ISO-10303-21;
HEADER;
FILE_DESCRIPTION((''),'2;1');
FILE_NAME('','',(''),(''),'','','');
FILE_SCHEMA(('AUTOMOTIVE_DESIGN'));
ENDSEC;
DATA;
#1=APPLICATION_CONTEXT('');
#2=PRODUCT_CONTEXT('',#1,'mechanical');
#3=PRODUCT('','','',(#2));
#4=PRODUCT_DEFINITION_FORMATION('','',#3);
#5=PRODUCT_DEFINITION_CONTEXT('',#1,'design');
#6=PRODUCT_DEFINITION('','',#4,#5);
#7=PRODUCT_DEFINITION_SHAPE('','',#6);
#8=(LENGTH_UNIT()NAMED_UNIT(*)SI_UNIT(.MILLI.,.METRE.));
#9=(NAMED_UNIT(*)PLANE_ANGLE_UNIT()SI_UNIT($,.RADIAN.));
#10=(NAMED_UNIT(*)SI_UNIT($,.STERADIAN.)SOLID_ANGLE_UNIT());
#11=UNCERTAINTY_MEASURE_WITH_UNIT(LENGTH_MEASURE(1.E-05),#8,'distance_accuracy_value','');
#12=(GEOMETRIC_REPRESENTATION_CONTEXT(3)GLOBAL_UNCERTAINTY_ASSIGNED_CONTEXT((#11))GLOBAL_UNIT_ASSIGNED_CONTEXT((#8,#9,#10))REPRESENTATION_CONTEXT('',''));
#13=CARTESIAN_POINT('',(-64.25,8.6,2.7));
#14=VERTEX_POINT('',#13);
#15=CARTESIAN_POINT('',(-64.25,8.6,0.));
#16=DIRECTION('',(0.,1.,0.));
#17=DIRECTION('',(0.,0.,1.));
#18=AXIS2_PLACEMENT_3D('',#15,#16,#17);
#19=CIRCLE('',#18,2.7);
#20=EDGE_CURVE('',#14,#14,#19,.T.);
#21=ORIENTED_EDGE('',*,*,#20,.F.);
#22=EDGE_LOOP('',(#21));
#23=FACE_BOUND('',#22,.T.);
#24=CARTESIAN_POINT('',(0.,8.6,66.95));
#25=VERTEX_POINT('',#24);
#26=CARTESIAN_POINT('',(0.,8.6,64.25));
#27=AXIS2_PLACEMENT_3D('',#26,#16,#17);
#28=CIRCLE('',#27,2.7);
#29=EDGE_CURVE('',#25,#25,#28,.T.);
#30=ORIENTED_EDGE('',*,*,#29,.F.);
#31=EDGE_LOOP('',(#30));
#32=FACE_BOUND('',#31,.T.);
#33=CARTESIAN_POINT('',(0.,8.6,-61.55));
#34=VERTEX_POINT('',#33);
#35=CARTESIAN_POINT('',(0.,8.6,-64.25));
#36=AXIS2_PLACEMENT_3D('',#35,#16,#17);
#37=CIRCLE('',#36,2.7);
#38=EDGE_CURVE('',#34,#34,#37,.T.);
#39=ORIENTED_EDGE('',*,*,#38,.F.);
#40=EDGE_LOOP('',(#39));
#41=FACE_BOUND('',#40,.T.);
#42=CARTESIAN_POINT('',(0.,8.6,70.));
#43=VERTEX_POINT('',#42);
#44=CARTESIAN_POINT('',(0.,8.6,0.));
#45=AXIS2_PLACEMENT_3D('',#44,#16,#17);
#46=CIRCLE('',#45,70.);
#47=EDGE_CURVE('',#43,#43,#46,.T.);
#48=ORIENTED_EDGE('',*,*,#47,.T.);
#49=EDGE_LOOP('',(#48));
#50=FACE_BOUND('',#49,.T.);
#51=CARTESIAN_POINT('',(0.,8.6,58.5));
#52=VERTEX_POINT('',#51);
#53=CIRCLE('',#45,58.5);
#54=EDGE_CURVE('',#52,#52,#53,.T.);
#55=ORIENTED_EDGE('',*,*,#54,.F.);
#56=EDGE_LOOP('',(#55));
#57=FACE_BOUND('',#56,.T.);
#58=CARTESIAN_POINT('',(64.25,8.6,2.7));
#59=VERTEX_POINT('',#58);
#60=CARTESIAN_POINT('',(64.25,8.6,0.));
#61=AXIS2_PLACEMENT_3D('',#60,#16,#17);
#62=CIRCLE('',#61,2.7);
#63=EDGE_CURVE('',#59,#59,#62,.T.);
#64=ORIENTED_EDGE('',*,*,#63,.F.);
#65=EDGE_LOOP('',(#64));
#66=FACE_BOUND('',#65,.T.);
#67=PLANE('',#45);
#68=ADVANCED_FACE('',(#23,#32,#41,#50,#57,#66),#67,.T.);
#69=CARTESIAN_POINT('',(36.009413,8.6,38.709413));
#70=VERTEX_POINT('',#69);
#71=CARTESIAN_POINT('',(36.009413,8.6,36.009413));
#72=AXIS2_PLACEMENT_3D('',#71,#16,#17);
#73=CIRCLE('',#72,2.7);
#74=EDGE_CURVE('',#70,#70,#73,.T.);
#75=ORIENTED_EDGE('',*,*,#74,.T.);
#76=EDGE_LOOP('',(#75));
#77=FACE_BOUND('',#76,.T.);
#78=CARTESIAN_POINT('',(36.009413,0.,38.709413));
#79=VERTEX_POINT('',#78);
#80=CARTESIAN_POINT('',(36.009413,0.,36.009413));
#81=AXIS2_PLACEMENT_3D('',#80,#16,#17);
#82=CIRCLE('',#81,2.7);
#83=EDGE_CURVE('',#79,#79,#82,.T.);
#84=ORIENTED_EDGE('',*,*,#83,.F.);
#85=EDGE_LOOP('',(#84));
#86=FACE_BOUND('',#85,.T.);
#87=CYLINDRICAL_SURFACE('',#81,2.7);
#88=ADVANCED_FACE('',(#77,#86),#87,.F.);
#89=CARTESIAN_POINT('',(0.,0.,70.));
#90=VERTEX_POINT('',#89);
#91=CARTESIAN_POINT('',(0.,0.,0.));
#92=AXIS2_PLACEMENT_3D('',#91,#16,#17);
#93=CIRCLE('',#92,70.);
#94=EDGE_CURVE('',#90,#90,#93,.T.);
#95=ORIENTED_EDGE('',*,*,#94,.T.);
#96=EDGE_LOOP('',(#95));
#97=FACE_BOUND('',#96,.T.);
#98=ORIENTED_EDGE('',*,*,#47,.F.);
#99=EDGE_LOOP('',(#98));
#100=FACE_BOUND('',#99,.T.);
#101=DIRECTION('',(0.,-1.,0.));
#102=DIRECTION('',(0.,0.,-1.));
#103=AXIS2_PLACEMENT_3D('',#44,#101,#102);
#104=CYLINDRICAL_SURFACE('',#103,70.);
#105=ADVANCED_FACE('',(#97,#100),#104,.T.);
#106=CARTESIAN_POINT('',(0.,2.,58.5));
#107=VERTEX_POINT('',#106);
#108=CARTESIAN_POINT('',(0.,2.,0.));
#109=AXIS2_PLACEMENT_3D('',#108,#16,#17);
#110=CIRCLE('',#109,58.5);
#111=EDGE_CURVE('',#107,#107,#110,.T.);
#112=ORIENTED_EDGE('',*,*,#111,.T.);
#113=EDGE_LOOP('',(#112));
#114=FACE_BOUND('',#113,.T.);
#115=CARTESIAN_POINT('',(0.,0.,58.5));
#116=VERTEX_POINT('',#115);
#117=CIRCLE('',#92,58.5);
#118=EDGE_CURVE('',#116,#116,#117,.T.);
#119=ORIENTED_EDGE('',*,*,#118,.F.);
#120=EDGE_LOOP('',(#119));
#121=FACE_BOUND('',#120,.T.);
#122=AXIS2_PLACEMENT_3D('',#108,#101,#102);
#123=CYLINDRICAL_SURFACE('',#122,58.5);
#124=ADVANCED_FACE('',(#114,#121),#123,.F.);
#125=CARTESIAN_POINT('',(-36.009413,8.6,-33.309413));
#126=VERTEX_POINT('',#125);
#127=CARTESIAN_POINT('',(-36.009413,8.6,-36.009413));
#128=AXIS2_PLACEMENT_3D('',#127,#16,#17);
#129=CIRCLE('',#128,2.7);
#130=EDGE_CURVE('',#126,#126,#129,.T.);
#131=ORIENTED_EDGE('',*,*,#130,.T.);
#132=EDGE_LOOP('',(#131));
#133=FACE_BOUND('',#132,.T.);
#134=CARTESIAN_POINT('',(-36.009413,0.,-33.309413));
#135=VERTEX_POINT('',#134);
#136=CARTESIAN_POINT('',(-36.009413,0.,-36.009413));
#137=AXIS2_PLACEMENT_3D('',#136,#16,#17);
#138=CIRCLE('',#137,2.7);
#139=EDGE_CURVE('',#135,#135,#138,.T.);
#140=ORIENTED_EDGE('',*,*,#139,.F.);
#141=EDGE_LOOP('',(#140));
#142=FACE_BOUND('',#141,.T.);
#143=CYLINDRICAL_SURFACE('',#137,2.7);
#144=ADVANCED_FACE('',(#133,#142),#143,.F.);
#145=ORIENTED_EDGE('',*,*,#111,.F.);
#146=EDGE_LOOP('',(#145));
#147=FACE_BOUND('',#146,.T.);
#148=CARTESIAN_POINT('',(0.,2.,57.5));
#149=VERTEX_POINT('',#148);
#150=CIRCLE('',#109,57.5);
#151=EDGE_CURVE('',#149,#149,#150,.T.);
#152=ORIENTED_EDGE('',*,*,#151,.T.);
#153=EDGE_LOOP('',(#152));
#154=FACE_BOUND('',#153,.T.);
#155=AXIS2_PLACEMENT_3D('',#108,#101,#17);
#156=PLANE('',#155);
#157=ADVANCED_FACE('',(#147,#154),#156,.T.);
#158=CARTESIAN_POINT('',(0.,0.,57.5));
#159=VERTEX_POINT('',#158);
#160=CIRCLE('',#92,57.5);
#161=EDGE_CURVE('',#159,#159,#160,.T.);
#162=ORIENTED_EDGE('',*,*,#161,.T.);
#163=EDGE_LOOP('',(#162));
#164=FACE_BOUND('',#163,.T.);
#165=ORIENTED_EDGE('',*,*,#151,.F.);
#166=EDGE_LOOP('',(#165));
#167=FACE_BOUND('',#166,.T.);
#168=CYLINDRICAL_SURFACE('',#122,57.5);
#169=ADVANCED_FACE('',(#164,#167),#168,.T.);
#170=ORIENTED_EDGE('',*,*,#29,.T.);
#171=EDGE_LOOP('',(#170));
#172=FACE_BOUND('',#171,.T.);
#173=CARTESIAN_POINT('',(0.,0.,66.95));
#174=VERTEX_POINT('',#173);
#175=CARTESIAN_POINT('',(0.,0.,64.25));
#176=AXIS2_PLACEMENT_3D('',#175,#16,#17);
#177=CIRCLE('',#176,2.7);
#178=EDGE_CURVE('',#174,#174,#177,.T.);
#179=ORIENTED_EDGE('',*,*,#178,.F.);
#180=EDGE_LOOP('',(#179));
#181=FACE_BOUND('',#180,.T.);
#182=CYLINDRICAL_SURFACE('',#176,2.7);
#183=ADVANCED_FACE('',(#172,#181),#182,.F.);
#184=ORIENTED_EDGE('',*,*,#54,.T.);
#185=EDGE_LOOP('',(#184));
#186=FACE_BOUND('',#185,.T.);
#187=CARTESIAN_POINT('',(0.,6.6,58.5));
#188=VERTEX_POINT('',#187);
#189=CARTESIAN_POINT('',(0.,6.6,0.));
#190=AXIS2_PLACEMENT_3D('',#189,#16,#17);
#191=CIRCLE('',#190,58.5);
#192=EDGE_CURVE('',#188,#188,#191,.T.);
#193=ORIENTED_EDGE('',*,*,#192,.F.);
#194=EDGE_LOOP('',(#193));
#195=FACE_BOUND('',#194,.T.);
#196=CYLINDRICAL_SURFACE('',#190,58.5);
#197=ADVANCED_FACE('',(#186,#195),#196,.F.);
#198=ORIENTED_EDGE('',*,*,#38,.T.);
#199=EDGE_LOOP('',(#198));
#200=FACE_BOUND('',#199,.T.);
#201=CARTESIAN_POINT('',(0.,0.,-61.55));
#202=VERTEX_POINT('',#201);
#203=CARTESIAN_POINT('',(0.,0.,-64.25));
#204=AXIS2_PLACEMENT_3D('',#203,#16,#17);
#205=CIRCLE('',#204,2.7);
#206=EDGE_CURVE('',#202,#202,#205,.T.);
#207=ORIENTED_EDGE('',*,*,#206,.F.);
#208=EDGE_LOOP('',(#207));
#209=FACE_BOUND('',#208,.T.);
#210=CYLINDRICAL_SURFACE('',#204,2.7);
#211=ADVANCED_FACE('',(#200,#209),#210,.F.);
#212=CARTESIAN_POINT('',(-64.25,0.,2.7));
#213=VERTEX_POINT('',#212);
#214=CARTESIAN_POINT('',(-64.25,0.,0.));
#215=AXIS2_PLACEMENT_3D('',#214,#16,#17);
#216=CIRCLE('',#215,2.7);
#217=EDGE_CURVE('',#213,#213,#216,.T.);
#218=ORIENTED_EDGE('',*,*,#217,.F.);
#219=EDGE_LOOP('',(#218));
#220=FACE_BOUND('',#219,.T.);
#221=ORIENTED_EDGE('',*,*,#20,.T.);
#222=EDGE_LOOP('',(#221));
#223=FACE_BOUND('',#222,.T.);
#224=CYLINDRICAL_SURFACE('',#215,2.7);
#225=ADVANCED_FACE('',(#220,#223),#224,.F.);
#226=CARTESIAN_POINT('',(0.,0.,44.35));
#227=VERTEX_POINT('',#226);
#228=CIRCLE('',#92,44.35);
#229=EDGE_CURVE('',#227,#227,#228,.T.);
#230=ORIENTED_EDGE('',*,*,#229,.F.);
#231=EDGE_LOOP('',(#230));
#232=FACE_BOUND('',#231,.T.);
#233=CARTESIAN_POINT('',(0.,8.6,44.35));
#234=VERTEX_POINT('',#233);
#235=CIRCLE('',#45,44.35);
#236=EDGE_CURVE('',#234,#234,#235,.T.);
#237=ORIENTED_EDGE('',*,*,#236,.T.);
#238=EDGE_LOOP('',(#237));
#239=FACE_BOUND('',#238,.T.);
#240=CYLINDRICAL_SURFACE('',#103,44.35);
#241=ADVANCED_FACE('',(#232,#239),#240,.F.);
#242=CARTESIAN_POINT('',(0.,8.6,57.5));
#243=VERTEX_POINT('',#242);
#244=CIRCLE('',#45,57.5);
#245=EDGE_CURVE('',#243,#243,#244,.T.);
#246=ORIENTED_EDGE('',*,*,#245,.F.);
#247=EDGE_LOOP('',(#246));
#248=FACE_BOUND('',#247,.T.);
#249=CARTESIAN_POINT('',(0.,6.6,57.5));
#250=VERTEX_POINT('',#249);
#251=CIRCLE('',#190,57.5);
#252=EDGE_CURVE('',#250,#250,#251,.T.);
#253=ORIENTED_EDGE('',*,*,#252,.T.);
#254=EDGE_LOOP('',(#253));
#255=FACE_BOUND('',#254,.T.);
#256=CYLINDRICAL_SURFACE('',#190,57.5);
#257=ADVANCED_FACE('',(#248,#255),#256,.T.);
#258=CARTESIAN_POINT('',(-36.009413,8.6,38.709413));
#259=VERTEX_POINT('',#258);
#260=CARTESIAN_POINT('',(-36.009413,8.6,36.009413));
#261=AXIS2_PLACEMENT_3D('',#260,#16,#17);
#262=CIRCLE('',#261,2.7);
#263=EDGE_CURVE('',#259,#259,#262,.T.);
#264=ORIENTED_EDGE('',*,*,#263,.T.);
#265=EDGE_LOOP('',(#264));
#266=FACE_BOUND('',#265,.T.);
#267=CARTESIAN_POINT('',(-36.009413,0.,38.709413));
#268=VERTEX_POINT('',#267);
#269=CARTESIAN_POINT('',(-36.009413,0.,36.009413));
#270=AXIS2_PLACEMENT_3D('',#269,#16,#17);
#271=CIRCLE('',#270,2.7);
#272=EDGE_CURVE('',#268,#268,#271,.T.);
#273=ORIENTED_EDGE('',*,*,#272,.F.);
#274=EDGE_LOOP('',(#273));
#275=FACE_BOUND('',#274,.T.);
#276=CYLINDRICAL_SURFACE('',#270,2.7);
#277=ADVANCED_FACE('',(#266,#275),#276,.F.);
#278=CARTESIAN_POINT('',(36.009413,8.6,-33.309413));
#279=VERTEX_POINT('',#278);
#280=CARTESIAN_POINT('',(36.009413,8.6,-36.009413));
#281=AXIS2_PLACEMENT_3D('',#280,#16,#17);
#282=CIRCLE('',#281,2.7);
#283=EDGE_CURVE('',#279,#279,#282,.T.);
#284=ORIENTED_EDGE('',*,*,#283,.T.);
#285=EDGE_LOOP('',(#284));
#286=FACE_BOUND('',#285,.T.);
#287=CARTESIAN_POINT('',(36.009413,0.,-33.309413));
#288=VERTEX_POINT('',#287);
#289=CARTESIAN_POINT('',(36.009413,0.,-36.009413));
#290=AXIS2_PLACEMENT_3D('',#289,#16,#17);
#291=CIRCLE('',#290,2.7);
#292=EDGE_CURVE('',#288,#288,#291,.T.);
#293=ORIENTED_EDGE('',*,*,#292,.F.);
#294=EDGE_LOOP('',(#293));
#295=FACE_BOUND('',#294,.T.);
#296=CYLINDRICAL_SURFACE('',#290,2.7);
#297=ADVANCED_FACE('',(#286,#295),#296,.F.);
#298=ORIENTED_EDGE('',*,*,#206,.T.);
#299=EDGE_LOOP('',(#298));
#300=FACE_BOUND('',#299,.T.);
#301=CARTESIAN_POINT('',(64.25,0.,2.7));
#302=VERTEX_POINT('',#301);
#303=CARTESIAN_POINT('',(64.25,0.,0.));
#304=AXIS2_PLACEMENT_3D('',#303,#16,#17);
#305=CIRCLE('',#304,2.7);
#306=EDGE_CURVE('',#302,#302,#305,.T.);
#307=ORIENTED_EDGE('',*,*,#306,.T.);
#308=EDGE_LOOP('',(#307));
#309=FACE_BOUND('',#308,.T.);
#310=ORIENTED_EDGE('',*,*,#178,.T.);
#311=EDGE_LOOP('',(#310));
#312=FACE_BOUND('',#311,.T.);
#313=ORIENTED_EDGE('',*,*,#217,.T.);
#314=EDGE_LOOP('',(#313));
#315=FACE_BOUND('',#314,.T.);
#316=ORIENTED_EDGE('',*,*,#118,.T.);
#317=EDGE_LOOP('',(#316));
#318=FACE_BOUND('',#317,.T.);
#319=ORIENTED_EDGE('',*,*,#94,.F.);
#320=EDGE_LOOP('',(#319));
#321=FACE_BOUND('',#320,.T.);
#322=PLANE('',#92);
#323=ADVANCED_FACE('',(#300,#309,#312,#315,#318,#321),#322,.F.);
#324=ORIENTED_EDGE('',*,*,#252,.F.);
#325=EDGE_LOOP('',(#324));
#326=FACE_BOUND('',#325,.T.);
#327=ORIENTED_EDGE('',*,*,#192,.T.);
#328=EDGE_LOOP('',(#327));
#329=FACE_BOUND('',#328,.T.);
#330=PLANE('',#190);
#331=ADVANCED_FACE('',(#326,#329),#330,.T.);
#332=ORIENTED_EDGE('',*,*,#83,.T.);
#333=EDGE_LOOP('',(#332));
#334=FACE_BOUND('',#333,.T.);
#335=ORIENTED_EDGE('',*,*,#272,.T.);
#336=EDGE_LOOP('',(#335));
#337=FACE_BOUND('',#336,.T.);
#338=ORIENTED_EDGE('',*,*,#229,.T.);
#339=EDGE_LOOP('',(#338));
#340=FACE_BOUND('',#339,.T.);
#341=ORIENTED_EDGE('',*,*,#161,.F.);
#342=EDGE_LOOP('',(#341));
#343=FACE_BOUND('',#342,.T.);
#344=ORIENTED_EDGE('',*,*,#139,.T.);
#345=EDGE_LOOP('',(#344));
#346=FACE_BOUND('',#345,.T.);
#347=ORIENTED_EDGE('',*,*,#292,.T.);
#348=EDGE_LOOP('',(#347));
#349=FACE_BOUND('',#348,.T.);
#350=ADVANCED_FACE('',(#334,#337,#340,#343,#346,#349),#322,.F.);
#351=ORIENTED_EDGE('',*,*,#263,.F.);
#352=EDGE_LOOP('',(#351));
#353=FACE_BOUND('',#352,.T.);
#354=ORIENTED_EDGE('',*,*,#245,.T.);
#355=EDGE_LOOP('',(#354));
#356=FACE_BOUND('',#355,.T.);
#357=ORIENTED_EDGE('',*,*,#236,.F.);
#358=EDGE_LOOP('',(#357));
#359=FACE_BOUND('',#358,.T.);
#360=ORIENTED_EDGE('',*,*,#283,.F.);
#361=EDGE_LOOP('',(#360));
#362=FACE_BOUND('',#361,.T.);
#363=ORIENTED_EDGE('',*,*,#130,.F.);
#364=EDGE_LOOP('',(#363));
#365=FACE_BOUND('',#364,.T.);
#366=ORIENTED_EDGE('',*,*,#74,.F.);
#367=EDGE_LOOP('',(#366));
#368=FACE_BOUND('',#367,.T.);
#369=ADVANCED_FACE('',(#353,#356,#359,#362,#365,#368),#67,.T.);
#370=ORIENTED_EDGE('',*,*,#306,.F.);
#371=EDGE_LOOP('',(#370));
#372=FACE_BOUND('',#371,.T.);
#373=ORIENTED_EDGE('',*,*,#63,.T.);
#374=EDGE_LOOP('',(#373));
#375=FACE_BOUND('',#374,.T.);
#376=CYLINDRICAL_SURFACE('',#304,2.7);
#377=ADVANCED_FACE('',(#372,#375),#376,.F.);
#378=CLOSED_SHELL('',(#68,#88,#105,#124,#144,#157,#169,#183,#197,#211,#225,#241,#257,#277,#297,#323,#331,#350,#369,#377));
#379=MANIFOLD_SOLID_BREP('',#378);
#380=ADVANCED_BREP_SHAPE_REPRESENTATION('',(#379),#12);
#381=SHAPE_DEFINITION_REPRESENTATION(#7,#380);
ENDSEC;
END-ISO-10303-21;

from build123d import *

# Parameters (mm, degrees)
SKETCH1_R           = 70
SKETCH1_R_2         = 44.35
BOSS_EXTRUDE1_DEPTH = 8.6
SKETCH2_R           = 58.5
SKETCH2_R_2         = 57.5
CUT_EXTRUDE1_DEPTH  = 2
SKETCH3_R           = 2.7
CUT_EXTRUDE2_DEPTH  = 9.6
SKETCH4_R           = 2.7
CUT_EXTRUDE3_DEPTH  = 9.6


with BuildPart() as part:
    # Sketch1 → Boss-Extrude1 (new body)
    with BuildSketch(Plane(origin=(0, 0, 0), x_dir=(1, 0, 0), z_dir=(0, 1, 0))):
        Circle(SKETCH1_R)
        Circle(SKETCH1_R_2, mode=Mode.SUBTRACT)
    extrude(amount=BOSS_EXTRUDE1_DEPTH)

    # Sketch2 → Cut-Extrude1 (cut)
    with BuildSketch(Plane(origin=(0, 8.6, 0), x_dir=(1, 0, 0), z_dir=(0, 1, 0))):
        Circle(SKETCH2_R)
        Circle(SKETCH2_R_2, mode=Mode.SUBTRACT)
    cut_extrude1 = extrude(amount=-CUT_EXTRUDE1_DEPTH, mode=Mode.SUBTRACT)

    # Mirror1: Cut-Extrude1 across plane
    add(cut_extrude1.mirror(Plane.ZX.offset(4.3)), mode=Mode.SUBTRACT)

    # Sketch3 → Cut-Extrude2 (cut, through all)
    with BuildSketch(Plane(origin=(0, 8.6, 0), x_dir=(1, 0, 0), z_dir=(0, 1, 0))):
        with Locations((0, 64.25)):
            Circle(SKETCH3_R)
        with Locations((64.25, 0)):
            Circle(SKETCH3_R)
        with Locations((0, -64.25)):
            Circle(SKETCH3_R)
        with Locations((-64.25, 0)):
            Circle(SKETCH3_R)
    extrude(amount=-CUT_EXTRUDE2_DEPTH, mode=Mode.SUBTRACT)

    # Sketch4 → Cut-Extrude3 (cut, through all)
    with BuildSketch(Plane(origin=(0, 8.6, 0), x_dir=(1, 0, 0), z_dir=(0, 1, 0))):
        with Locations((-36.009412832, 36.009412832)):
            Circle(SKETCH4_R)
        with Locations((36.009412832, 36.009412832)):
            Circle(SKETCH4_R)
        with Locations((36.009412832, -36.009412832)):
            Circle(SKETCH4_R)
        with Locations((-36.009412832, -36.009412832)):
            Circle(SKETCH4_R)
    extrude(amount=-CUT_EXTRUDE3_DEPTH, mode=Mode.SUBTRACT)


solid = part.part
